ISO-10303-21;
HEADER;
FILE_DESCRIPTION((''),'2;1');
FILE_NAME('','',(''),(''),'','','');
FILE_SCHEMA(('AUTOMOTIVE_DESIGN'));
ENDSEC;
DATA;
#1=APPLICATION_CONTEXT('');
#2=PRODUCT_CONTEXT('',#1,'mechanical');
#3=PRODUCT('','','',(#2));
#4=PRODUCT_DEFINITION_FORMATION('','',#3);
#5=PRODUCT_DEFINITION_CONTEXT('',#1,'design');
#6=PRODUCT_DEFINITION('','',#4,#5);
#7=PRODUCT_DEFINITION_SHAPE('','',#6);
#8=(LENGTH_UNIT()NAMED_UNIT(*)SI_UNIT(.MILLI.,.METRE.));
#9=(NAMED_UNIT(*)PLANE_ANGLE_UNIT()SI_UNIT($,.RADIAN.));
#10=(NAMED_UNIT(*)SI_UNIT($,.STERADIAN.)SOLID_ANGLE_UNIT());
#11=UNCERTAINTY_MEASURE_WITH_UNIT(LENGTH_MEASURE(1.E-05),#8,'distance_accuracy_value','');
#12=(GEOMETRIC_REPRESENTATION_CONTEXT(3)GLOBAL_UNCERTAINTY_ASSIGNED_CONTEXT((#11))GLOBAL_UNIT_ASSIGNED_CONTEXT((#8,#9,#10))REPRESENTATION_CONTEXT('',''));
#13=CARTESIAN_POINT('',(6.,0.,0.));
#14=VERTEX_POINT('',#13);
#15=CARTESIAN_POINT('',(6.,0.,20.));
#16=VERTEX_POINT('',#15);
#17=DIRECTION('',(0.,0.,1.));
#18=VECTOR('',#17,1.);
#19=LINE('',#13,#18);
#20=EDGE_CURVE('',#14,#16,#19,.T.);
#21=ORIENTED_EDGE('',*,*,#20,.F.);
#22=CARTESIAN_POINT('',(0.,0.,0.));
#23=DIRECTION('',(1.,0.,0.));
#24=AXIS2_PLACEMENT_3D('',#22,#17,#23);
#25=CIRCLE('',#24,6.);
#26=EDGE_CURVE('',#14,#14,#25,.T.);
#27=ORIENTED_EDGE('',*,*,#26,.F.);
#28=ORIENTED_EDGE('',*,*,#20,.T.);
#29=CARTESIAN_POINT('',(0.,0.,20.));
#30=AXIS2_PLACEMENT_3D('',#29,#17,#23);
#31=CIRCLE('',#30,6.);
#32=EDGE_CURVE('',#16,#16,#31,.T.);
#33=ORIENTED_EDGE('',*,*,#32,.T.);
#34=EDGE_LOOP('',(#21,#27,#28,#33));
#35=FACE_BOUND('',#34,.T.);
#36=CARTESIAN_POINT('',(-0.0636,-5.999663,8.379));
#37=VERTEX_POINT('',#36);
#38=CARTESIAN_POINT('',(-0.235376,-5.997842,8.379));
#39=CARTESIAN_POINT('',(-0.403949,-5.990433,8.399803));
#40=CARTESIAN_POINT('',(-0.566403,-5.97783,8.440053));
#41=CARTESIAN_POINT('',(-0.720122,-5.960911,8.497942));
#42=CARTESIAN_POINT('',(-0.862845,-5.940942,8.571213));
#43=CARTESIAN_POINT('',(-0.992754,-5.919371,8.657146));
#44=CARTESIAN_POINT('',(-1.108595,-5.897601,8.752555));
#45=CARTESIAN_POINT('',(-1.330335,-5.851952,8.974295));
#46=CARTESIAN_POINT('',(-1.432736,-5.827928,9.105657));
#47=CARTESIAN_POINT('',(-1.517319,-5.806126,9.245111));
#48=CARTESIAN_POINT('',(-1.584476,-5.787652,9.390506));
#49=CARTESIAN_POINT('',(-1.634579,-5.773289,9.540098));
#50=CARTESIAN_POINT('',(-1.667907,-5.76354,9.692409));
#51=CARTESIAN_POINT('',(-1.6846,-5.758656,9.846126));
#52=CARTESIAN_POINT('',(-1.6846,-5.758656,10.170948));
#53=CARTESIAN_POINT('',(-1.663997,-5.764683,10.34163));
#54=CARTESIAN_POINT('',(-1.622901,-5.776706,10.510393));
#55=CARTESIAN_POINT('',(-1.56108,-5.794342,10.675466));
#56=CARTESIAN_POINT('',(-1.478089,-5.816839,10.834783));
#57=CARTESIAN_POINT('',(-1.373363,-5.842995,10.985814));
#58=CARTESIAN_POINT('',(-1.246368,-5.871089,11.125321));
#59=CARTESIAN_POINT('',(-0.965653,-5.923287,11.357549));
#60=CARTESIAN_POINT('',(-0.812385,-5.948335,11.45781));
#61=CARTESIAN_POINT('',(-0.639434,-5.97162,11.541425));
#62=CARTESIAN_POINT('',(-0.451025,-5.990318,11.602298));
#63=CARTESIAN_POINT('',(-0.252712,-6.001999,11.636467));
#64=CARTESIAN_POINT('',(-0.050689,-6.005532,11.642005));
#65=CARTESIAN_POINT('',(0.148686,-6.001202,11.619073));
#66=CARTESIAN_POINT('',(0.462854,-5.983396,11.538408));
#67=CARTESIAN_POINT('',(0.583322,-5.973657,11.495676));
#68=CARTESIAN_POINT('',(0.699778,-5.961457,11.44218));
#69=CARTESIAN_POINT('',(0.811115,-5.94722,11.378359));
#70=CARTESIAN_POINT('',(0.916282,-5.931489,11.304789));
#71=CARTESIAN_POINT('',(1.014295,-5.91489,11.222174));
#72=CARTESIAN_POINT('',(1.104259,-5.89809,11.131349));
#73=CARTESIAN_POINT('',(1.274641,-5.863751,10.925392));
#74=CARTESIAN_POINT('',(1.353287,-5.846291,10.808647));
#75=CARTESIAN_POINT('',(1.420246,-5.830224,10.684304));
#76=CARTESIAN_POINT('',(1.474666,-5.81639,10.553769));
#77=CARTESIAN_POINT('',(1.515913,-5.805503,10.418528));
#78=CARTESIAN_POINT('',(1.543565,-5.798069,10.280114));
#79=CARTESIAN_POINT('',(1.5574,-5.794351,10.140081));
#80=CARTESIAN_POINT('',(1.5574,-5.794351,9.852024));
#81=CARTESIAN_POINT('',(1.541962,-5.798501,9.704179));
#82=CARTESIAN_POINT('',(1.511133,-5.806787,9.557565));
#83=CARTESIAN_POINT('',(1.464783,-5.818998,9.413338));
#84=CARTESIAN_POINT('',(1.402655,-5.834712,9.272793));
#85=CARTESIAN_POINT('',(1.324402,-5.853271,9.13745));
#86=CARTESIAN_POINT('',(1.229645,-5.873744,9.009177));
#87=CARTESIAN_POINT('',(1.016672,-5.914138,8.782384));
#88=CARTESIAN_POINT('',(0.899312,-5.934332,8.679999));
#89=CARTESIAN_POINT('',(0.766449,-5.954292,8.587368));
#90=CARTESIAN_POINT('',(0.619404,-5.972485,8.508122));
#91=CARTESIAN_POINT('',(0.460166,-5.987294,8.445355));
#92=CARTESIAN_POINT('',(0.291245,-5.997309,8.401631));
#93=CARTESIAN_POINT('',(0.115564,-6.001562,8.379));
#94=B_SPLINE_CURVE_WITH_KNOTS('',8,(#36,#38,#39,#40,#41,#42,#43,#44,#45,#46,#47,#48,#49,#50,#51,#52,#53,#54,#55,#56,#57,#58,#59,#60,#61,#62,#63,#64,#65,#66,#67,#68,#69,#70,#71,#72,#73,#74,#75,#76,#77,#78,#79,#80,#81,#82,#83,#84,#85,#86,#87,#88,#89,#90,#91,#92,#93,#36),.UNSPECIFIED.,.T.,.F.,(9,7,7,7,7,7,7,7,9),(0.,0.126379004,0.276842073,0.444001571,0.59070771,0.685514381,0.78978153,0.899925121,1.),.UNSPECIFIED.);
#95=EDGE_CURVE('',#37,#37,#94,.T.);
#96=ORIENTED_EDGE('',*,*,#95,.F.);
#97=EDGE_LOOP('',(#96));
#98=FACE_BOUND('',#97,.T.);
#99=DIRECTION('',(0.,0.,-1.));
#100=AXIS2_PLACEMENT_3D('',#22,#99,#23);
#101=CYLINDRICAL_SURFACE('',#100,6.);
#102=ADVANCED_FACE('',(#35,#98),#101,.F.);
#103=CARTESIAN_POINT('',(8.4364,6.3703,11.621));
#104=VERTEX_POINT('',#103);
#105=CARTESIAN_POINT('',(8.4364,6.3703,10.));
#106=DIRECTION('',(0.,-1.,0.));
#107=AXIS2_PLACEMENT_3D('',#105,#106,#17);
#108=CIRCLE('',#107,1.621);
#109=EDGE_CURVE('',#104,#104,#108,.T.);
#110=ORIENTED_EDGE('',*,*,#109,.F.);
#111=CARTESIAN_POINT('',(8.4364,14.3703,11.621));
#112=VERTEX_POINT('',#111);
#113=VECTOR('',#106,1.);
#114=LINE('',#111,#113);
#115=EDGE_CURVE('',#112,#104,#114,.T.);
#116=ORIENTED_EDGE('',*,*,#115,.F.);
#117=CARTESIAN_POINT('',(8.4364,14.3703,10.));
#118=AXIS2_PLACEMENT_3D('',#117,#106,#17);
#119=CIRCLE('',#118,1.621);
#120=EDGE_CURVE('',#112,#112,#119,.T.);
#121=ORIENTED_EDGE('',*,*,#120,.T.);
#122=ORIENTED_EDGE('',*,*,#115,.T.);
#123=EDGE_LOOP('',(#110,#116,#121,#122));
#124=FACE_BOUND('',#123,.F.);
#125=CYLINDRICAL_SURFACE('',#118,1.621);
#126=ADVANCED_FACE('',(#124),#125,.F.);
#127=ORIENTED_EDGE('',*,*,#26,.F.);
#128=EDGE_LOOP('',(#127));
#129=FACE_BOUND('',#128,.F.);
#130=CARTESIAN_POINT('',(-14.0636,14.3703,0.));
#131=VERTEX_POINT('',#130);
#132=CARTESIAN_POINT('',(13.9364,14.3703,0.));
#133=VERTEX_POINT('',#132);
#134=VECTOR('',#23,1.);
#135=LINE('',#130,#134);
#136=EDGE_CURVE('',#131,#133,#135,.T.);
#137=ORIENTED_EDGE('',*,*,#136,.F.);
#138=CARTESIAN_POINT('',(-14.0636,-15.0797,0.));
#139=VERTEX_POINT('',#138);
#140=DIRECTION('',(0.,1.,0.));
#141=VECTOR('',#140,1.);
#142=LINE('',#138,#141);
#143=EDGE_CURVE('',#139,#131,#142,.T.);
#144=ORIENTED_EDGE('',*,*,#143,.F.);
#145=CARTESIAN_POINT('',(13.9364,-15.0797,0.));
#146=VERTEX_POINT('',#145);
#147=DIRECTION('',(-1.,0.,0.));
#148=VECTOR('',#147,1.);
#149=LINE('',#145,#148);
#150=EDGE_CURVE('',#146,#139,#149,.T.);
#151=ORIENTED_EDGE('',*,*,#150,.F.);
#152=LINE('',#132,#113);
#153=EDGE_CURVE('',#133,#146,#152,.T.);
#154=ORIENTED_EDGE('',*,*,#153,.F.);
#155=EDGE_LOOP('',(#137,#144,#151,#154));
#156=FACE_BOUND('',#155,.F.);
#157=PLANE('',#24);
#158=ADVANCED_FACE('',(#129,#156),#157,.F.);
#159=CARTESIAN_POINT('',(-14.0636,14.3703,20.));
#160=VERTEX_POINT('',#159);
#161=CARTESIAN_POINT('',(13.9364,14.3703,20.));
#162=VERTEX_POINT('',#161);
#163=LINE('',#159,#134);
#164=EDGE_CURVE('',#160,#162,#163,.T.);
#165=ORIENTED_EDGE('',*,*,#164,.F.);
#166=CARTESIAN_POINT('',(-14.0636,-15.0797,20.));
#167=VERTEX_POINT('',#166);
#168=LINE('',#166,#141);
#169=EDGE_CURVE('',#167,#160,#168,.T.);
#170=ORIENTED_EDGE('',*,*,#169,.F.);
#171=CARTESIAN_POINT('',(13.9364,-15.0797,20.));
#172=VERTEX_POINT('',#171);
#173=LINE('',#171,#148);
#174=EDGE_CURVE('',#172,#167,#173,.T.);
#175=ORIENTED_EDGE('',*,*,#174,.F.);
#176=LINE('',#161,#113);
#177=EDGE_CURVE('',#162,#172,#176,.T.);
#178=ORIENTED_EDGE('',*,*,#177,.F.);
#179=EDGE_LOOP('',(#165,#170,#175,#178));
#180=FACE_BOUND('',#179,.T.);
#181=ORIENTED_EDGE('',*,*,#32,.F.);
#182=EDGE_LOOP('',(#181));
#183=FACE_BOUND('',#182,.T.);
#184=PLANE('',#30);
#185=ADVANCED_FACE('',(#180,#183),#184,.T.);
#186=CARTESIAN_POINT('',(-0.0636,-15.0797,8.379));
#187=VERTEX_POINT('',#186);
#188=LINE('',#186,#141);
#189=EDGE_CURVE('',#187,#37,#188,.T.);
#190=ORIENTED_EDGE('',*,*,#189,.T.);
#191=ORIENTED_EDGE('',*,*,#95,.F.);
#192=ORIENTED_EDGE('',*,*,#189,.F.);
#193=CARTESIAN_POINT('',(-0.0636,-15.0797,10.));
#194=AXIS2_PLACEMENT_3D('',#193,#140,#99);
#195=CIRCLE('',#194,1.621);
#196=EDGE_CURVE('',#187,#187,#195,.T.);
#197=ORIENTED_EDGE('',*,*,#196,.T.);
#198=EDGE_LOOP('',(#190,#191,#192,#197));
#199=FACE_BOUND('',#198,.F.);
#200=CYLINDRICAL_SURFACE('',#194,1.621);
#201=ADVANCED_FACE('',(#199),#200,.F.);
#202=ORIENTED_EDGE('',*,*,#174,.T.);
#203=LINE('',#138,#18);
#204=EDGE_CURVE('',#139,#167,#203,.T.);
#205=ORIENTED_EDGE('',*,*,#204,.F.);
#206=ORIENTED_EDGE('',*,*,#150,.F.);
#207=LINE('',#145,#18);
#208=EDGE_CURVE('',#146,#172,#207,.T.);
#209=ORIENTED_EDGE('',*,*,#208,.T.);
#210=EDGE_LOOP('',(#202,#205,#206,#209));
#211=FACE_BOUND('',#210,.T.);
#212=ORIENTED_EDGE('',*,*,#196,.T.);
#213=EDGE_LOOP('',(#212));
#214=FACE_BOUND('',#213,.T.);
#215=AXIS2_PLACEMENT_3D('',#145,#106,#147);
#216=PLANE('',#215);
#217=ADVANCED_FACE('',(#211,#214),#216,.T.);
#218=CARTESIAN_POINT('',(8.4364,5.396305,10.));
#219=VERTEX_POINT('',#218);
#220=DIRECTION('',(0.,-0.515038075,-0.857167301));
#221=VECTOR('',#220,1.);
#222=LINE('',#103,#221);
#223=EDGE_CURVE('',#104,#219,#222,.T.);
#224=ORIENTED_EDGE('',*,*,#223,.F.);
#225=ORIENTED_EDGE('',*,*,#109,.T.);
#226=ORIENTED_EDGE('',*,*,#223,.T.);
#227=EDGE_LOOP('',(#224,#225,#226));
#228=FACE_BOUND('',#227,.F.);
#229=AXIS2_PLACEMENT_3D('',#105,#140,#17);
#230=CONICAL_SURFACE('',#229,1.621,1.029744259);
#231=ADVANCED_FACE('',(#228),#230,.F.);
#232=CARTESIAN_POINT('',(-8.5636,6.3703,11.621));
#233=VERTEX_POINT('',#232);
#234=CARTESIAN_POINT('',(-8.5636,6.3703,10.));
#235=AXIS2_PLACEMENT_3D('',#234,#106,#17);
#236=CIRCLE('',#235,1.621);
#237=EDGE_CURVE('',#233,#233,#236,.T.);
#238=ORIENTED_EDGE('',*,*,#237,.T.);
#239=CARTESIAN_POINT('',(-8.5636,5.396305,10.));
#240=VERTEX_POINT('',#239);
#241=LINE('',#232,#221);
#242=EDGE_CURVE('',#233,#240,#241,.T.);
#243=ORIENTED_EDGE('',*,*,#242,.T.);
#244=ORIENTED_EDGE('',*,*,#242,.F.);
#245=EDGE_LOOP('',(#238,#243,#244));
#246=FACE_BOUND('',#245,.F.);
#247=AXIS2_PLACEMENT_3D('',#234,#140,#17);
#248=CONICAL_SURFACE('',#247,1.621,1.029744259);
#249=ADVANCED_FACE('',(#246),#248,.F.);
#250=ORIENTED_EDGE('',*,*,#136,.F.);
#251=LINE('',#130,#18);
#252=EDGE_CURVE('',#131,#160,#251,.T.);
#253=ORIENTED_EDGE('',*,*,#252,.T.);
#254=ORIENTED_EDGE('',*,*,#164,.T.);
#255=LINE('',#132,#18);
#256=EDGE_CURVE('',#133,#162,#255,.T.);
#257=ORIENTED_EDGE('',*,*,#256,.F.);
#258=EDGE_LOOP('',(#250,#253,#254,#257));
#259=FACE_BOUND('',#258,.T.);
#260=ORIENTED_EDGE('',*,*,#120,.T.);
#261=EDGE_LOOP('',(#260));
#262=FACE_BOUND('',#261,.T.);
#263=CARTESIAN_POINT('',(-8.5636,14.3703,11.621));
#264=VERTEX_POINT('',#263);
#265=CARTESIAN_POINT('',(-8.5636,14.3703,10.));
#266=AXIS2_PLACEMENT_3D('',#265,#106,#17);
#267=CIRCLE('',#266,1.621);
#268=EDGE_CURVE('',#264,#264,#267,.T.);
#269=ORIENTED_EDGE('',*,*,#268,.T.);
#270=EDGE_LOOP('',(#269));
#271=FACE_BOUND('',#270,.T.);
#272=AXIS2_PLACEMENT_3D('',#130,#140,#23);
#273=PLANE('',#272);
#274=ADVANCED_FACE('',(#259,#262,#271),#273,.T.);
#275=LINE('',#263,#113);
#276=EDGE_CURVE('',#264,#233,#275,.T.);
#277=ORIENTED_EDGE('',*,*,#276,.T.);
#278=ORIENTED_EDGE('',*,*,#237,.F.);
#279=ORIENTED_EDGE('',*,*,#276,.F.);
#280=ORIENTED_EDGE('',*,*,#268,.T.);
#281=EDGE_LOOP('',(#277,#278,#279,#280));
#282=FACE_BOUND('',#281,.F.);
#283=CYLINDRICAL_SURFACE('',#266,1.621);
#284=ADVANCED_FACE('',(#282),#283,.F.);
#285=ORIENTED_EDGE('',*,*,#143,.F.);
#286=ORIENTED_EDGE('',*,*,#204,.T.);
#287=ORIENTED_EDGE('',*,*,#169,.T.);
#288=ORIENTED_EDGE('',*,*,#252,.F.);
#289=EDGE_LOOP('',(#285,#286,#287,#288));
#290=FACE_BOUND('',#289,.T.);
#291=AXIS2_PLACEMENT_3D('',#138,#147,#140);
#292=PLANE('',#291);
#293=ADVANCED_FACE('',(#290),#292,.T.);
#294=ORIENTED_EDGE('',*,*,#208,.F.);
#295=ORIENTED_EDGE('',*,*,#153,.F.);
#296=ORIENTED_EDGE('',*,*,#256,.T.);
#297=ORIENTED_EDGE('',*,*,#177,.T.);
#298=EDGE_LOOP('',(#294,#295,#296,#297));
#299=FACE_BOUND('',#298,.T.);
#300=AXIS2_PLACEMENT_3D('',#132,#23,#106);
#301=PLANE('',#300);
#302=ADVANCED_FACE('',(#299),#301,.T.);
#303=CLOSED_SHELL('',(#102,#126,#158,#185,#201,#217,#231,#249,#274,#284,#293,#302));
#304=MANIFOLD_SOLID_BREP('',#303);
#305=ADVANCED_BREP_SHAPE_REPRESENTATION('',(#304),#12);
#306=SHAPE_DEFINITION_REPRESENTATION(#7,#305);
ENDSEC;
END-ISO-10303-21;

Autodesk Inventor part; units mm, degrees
ref_plane "YZ Plane" through (0, 0, 0) normal (1, 0, 0) x (0, 1, 0)
ref_plane "XZ Plane" through (0, 0, 0) normal (0, 1, 0) x (-1, 0, 0)
ref_plane "XY Plane" through (0, 0, 0) normal (0, 0, 1) x (1, 0, 0)
sketch "Esboço1" plane through (0, 0, 0) normal (0, 0, 1) x (1, 0, 0)
  circle A0 centre (0, 0) radius 5.995 construction
  line L0 (13.9364, -15.0797) -> (-14.0636, -15.0797) construction
  line L1 (-14.0636, 14.3703) -> (13.9364, 14.3703)
  line L2 (13.9364, 14.3703) -> (13.9364, -15.0797)
  line L3 (13.9364, -15.0797) -> (-14.0636, -15.0797)
  line L4 (-14.0636, -15.0797) -> (-14.0636, 14.3703)
  circle A1 centre (0, 0) radius 6
  dimension "d0" = 12
extrude "Extrusão1" add sketch "Esboço1" along normal blind 20
sketch "Esboço2" plane through (-14.0636, 14.3703, 0) normal (0, 1, 0) x (1, 0, 0)
  line L0 (28, 0) -> (28, -20) construction
  line L1 (0, 0) -> (0, -20) construction
  line L2 (28, -10) -> (0, -10) construction
  line L3 (14, -10) -> (14, 0) construction
  line L4 (14, -10) -> (5.5, -10) construction
  line L5 (14, -10) -> (22.5, -10) construction
  dimension "d7" = 10
  dimension "d8" = 8.5
  dimension "d9" = 8.5
hole "Furo1" at (8.4364, 14.3703, 10) at (-8.5636, 14.3703, 10) direction (0, -1, 0) diameter 3.242 depth 8 tip angle 118 thread size "M4x0.7" class "6H" standard "ANSI Metric M Profile"
sketch "Esboço3" plane through (-14.0636, -15.0797, 0) normal (0, -1, 0) x (1, 0, 0)
  line L0 (28, 20) -> (0, 20) projected
  line L1 (14, 20) -> (14, 0) construction
  circle A0 centre (14, 10) radius 2
  point P0 (14.0636, 0)
  dimension "d17" = 20
  dimension "d18" = 4
hole "Furo2" at (-0.0636, -15.0797, 10) direction (0, 1, 0) diameter 3.242 depth 10 tip angle 118 thread size "M4x0.7" class "6H" standard "ANSI Metric M Profile"
properties part number "esbarro_carro" material "Alumínio 6061"
